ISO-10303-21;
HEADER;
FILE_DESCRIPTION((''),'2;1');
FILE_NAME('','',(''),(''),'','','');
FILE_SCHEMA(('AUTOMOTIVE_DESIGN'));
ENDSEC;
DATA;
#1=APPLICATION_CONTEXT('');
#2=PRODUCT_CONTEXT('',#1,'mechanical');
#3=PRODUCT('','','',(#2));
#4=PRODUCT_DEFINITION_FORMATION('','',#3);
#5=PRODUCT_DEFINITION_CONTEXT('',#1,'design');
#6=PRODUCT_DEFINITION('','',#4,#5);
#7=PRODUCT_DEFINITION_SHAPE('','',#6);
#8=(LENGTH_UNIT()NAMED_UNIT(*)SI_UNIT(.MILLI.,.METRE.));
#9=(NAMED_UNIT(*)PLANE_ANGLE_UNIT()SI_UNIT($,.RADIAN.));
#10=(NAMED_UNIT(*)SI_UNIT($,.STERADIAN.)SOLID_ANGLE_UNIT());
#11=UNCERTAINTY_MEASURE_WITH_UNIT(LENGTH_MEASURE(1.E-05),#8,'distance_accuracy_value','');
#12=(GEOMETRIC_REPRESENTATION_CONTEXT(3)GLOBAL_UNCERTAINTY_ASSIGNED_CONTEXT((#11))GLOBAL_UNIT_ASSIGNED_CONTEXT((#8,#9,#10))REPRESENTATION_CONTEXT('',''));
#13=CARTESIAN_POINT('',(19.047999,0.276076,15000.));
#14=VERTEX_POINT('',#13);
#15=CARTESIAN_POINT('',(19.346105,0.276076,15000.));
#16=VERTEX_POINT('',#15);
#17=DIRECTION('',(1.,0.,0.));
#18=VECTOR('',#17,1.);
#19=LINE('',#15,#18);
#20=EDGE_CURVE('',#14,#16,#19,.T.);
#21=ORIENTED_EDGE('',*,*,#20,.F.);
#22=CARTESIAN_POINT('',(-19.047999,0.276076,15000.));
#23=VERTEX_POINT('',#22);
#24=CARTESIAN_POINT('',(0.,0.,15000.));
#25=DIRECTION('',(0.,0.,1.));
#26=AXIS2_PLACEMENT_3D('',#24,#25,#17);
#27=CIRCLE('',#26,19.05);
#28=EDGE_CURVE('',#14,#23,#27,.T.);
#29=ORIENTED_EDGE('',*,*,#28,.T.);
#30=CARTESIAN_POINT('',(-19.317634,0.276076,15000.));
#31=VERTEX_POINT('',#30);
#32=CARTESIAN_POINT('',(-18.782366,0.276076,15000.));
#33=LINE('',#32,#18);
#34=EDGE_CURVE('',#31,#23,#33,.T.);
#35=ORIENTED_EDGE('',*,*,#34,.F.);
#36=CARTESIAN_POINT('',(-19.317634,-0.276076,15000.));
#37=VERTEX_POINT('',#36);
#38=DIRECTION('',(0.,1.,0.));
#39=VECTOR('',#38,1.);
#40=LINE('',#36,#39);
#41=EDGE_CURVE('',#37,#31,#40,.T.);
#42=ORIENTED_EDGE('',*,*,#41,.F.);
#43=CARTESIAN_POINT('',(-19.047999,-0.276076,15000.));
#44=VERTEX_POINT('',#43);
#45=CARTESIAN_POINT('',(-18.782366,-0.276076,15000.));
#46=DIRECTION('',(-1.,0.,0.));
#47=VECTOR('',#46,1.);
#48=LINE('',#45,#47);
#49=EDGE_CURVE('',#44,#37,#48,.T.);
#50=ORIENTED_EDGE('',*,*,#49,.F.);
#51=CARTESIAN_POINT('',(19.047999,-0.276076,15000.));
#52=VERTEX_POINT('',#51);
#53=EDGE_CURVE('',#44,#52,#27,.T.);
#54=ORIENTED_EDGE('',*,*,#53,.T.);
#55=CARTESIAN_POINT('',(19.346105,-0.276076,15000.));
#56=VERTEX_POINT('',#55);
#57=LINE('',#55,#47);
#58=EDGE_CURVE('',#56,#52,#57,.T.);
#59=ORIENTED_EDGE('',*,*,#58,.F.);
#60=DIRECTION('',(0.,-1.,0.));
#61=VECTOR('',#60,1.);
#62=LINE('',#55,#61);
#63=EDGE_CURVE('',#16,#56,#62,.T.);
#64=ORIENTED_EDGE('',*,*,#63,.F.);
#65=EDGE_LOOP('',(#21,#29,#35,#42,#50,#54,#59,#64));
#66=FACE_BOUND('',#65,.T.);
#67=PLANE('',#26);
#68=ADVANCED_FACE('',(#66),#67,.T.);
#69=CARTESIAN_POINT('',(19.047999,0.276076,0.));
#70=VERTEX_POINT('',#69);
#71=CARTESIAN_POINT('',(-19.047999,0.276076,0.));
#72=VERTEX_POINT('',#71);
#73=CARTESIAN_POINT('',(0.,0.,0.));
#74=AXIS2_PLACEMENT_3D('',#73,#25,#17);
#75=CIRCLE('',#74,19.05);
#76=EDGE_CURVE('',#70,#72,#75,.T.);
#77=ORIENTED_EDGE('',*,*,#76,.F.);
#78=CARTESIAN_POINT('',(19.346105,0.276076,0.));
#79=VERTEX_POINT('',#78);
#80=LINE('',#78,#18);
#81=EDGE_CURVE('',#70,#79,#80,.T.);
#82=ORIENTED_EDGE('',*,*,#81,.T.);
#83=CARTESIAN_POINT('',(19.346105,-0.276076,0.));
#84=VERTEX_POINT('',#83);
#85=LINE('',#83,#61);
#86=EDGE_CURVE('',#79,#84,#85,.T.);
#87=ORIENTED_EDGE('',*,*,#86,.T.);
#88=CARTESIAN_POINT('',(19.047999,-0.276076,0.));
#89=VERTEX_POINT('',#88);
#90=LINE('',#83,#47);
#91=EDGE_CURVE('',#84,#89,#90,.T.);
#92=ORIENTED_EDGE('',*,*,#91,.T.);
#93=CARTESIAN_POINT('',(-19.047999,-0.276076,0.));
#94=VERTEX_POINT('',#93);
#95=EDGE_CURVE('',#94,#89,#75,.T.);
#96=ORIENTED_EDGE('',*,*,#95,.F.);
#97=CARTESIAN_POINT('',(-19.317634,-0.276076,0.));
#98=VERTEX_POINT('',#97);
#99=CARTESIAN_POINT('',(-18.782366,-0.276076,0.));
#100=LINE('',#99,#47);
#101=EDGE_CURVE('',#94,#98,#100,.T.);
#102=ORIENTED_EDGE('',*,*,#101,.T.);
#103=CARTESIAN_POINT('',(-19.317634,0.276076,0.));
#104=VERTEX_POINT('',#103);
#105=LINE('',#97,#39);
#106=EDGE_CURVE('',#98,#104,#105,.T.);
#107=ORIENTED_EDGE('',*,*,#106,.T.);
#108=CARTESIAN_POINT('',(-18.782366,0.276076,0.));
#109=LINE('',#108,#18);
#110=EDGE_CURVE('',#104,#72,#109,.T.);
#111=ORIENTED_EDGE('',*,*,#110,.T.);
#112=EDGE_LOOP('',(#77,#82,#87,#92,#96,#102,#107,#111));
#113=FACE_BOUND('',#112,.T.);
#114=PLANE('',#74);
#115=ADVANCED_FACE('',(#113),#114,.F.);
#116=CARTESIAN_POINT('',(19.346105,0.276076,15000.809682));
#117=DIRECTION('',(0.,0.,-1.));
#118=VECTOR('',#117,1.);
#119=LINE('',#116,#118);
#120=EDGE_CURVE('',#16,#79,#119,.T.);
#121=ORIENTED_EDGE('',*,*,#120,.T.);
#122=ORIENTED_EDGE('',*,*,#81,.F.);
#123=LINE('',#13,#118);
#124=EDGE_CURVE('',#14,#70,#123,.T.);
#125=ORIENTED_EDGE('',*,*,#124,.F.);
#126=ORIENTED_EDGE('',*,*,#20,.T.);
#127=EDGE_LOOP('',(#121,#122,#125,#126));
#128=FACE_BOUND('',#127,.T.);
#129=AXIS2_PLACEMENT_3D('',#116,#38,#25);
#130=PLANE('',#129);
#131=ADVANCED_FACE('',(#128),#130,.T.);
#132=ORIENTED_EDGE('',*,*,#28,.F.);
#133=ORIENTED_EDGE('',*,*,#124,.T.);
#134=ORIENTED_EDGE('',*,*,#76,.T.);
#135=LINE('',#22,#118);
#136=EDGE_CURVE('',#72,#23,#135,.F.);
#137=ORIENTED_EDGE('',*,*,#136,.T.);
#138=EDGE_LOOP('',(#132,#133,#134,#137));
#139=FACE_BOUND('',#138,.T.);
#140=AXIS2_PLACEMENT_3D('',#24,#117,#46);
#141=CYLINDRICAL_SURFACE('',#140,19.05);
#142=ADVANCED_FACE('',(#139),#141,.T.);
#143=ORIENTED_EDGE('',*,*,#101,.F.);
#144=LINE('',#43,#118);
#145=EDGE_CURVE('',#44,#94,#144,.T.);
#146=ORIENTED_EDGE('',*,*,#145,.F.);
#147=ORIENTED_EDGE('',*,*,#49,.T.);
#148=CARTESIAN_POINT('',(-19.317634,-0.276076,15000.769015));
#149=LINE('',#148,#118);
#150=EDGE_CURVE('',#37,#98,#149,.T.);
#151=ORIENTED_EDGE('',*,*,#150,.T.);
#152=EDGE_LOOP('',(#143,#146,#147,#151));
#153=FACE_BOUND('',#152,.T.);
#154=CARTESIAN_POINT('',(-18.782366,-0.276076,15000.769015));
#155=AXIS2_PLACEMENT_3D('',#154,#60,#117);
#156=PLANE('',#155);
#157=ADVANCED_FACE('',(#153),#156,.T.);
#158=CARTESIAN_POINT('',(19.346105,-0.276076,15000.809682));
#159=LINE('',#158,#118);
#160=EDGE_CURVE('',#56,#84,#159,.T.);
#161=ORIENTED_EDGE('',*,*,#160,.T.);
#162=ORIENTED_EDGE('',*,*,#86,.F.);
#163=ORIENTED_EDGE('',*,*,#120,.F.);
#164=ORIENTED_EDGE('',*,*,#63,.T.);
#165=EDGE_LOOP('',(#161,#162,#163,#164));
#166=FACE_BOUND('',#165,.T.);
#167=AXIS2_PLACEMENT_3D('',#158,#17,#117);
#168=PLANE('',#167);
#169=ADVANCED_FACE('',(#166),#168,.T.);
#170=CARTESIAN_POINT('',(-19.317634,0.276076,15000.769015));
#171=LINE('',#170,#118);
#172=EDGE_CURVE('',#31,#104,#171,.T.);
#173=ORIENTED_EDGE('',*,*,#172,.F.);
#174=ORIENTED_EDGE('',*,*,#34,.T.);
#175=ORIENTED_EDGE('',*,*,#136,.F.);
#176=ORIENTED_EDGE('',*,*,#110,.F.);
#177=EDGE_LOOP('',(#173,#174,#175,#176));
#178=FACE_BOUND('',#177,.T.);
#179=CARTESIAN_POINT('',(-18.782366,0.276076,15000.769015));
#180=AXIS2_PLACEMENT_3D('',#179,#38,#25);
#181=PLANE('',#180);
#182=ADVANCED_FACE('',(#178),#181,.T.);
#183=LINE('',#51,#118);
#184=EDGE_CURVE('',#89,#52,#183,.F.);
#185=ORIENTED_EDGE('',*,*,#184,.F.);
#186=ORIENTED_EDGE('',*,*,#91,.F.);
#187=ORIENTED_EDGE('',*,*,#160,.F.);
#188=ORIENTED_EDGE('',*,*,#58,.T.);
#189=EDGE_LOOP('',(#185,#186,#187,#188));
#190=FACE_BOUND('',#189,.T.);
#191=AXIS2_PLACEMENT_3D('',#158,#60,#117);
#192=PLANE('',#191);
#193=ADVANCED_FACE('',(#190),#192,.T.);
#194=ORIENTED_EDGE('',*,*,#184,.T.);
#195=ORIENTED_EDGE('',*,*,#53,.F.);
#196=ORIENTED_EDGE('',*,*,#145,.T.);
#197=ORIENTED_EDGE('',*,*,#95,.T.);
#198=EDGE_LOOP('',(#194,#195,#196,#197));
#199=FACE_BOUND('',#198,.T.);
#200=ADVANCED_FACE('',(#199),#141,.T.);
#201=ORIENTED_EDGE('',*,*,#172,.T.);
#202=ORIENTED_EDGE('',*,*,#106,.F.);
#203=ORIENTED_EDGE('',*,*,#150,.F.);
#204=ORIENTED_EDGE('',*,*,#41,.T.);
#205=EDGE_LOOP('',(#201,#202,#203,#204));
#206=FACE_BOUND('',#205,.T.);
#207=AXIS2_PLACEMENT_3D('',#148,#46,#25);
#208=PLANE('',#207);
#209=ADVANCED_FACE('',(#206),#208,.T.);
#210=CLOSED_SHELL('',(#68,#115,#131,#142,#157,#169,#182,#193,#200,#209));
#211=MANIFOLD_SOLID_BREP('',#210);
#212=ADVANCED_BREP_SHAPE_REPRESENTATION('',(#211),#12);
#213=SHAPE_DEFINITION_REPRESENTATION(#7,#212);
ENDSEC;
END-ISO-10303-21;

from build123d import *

# Parameters (mm, degrees)
CROQUIS1_R              = 19.05
SALIENTE_EXTRUIR1_DEPTH = 15000
CROQUIS2_W              = 0.59220922
CROQUIS2_H              = 0.552153
SALIENTE_EXTRUIR2_DEPTH = 15000
CROQUIS3_W              = 0.53526764
CROQUIS3_H              = 0.552153
SALIENTE_EXTRUIR3_DEPTH = 15000


with BuildPart() as part:
    # Croquis1 → Saliente-Extruir1 (new body)
    with BuildSketch(Plane.XY):
        Circle(CROQUIS1_R)
    extrude(amount=SALIENTE_EXTRUIR1_DEPTH)

    # Croquis2 → Saliente-Extruir2 (add)
    with BuildSketch(Plane(origin=(0, 0, 0), x_dir=(-1, 0, 0), z_dir=(0, 0, -1))):
        with Locations((-19.05, 0)):
            Rectangle(CROQUIS2_W, CROQUIS2_H)
    extrude(amount=-SALIENTE_EXTRUIR2_DEPTH)

    # Croquis3 → Saliente-Extruir3 (add)
    with BuildSketch(Plane(origin=(0, 0, 0), x_dir=(-1, 0, 0), z_dir=(0, 0, -1))):
        with Locations((19.05, 0)):
            Rectangle(CROQUIS3_W, CROQUIS3_H)
    extrude(amount=-SALIENTE_EXTRUIR3_DEPTH)


solid = part.part
